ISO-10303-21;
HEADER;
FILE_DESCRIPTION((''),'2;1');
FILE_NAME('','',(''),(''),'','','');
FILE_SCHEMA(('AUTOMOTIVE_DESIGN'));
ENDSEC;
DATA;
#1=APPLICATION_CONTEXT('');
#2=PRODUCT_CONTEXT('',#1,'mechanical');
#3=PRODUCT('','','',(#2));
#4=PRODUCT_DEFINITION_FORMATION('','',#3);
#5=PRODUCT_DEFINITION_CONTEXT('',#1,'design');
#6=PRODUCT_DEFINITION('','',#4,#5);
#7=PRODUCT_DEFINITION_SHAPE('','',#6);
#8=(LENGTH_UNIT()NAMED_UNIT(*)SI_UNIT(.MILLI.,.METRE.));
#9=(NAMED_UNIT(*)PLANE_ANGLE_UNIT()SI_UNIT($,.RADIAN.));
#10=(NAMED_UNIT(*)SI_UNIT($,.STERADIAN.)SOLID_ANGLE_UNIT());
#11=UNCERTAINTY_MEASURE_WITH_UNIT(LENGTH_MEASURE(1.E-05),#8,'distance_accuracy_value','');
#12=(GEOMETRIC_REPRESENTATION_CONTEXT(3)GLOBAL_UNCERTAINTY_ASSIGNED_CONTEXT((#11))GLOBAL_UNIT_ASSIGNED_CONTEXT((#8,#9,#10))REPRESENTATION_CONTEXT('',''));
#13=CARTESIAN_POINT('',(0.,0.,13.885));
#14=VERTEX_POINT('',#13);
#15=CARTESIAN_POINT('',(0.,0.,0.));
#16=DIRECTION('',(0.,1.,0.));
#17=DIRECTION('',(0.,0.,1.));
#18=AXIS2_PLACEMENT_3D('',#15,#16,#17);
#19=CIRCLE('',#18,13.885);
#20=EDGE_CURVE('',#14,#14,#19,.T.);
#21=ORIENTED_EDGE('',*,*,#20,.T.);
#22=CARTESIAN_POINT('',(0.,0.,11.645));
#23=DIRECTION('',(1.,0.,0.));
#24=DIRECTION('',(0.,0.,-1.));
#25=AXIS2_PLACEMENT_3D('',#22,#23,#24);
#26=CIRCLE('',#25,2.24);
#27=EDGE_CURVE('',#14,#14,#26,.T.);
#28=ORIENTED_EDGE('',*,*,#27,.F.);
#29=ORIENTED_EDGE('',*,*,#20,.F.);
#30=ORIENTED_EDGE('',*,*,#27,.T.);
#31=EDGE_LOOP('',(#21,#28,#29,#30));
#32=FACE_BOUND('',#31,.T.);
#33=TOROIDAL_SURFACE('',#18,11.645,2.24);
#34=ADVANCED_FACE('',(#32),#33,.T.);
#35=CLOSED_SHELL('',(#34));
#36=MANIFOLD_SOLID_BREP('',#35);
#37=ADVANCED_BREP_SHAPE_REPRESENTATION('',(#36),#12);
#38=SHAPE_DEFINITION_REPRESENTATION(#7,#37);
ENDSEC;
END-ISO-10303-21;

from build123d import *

# Parameters (mm, degrees)
SKETCH2_R = 2.24


with BuildPart() as part:
    # Sweep1: sweep along a path in Sketch1
    with BuildLine(Plane(origin=(0, 0, 0), x_dir=(1, 0, 0), z_dir=(0, 1, 0))) as sweep1_path:
        CenterArc((0, 0), 11.645, 0, 360)
    # Sketch2 → Sweep1 (sweep)
    with BuildSketch(Plane(origin=(0, 0, 0), x_dir=(0, 0, -1), z_dir=(1, 0, 0))):
        with Locations((-11.645, 0)):
            Circle(SKETCH2_R)
    sweep(path=sweep1_path.line)


solid = part.part
